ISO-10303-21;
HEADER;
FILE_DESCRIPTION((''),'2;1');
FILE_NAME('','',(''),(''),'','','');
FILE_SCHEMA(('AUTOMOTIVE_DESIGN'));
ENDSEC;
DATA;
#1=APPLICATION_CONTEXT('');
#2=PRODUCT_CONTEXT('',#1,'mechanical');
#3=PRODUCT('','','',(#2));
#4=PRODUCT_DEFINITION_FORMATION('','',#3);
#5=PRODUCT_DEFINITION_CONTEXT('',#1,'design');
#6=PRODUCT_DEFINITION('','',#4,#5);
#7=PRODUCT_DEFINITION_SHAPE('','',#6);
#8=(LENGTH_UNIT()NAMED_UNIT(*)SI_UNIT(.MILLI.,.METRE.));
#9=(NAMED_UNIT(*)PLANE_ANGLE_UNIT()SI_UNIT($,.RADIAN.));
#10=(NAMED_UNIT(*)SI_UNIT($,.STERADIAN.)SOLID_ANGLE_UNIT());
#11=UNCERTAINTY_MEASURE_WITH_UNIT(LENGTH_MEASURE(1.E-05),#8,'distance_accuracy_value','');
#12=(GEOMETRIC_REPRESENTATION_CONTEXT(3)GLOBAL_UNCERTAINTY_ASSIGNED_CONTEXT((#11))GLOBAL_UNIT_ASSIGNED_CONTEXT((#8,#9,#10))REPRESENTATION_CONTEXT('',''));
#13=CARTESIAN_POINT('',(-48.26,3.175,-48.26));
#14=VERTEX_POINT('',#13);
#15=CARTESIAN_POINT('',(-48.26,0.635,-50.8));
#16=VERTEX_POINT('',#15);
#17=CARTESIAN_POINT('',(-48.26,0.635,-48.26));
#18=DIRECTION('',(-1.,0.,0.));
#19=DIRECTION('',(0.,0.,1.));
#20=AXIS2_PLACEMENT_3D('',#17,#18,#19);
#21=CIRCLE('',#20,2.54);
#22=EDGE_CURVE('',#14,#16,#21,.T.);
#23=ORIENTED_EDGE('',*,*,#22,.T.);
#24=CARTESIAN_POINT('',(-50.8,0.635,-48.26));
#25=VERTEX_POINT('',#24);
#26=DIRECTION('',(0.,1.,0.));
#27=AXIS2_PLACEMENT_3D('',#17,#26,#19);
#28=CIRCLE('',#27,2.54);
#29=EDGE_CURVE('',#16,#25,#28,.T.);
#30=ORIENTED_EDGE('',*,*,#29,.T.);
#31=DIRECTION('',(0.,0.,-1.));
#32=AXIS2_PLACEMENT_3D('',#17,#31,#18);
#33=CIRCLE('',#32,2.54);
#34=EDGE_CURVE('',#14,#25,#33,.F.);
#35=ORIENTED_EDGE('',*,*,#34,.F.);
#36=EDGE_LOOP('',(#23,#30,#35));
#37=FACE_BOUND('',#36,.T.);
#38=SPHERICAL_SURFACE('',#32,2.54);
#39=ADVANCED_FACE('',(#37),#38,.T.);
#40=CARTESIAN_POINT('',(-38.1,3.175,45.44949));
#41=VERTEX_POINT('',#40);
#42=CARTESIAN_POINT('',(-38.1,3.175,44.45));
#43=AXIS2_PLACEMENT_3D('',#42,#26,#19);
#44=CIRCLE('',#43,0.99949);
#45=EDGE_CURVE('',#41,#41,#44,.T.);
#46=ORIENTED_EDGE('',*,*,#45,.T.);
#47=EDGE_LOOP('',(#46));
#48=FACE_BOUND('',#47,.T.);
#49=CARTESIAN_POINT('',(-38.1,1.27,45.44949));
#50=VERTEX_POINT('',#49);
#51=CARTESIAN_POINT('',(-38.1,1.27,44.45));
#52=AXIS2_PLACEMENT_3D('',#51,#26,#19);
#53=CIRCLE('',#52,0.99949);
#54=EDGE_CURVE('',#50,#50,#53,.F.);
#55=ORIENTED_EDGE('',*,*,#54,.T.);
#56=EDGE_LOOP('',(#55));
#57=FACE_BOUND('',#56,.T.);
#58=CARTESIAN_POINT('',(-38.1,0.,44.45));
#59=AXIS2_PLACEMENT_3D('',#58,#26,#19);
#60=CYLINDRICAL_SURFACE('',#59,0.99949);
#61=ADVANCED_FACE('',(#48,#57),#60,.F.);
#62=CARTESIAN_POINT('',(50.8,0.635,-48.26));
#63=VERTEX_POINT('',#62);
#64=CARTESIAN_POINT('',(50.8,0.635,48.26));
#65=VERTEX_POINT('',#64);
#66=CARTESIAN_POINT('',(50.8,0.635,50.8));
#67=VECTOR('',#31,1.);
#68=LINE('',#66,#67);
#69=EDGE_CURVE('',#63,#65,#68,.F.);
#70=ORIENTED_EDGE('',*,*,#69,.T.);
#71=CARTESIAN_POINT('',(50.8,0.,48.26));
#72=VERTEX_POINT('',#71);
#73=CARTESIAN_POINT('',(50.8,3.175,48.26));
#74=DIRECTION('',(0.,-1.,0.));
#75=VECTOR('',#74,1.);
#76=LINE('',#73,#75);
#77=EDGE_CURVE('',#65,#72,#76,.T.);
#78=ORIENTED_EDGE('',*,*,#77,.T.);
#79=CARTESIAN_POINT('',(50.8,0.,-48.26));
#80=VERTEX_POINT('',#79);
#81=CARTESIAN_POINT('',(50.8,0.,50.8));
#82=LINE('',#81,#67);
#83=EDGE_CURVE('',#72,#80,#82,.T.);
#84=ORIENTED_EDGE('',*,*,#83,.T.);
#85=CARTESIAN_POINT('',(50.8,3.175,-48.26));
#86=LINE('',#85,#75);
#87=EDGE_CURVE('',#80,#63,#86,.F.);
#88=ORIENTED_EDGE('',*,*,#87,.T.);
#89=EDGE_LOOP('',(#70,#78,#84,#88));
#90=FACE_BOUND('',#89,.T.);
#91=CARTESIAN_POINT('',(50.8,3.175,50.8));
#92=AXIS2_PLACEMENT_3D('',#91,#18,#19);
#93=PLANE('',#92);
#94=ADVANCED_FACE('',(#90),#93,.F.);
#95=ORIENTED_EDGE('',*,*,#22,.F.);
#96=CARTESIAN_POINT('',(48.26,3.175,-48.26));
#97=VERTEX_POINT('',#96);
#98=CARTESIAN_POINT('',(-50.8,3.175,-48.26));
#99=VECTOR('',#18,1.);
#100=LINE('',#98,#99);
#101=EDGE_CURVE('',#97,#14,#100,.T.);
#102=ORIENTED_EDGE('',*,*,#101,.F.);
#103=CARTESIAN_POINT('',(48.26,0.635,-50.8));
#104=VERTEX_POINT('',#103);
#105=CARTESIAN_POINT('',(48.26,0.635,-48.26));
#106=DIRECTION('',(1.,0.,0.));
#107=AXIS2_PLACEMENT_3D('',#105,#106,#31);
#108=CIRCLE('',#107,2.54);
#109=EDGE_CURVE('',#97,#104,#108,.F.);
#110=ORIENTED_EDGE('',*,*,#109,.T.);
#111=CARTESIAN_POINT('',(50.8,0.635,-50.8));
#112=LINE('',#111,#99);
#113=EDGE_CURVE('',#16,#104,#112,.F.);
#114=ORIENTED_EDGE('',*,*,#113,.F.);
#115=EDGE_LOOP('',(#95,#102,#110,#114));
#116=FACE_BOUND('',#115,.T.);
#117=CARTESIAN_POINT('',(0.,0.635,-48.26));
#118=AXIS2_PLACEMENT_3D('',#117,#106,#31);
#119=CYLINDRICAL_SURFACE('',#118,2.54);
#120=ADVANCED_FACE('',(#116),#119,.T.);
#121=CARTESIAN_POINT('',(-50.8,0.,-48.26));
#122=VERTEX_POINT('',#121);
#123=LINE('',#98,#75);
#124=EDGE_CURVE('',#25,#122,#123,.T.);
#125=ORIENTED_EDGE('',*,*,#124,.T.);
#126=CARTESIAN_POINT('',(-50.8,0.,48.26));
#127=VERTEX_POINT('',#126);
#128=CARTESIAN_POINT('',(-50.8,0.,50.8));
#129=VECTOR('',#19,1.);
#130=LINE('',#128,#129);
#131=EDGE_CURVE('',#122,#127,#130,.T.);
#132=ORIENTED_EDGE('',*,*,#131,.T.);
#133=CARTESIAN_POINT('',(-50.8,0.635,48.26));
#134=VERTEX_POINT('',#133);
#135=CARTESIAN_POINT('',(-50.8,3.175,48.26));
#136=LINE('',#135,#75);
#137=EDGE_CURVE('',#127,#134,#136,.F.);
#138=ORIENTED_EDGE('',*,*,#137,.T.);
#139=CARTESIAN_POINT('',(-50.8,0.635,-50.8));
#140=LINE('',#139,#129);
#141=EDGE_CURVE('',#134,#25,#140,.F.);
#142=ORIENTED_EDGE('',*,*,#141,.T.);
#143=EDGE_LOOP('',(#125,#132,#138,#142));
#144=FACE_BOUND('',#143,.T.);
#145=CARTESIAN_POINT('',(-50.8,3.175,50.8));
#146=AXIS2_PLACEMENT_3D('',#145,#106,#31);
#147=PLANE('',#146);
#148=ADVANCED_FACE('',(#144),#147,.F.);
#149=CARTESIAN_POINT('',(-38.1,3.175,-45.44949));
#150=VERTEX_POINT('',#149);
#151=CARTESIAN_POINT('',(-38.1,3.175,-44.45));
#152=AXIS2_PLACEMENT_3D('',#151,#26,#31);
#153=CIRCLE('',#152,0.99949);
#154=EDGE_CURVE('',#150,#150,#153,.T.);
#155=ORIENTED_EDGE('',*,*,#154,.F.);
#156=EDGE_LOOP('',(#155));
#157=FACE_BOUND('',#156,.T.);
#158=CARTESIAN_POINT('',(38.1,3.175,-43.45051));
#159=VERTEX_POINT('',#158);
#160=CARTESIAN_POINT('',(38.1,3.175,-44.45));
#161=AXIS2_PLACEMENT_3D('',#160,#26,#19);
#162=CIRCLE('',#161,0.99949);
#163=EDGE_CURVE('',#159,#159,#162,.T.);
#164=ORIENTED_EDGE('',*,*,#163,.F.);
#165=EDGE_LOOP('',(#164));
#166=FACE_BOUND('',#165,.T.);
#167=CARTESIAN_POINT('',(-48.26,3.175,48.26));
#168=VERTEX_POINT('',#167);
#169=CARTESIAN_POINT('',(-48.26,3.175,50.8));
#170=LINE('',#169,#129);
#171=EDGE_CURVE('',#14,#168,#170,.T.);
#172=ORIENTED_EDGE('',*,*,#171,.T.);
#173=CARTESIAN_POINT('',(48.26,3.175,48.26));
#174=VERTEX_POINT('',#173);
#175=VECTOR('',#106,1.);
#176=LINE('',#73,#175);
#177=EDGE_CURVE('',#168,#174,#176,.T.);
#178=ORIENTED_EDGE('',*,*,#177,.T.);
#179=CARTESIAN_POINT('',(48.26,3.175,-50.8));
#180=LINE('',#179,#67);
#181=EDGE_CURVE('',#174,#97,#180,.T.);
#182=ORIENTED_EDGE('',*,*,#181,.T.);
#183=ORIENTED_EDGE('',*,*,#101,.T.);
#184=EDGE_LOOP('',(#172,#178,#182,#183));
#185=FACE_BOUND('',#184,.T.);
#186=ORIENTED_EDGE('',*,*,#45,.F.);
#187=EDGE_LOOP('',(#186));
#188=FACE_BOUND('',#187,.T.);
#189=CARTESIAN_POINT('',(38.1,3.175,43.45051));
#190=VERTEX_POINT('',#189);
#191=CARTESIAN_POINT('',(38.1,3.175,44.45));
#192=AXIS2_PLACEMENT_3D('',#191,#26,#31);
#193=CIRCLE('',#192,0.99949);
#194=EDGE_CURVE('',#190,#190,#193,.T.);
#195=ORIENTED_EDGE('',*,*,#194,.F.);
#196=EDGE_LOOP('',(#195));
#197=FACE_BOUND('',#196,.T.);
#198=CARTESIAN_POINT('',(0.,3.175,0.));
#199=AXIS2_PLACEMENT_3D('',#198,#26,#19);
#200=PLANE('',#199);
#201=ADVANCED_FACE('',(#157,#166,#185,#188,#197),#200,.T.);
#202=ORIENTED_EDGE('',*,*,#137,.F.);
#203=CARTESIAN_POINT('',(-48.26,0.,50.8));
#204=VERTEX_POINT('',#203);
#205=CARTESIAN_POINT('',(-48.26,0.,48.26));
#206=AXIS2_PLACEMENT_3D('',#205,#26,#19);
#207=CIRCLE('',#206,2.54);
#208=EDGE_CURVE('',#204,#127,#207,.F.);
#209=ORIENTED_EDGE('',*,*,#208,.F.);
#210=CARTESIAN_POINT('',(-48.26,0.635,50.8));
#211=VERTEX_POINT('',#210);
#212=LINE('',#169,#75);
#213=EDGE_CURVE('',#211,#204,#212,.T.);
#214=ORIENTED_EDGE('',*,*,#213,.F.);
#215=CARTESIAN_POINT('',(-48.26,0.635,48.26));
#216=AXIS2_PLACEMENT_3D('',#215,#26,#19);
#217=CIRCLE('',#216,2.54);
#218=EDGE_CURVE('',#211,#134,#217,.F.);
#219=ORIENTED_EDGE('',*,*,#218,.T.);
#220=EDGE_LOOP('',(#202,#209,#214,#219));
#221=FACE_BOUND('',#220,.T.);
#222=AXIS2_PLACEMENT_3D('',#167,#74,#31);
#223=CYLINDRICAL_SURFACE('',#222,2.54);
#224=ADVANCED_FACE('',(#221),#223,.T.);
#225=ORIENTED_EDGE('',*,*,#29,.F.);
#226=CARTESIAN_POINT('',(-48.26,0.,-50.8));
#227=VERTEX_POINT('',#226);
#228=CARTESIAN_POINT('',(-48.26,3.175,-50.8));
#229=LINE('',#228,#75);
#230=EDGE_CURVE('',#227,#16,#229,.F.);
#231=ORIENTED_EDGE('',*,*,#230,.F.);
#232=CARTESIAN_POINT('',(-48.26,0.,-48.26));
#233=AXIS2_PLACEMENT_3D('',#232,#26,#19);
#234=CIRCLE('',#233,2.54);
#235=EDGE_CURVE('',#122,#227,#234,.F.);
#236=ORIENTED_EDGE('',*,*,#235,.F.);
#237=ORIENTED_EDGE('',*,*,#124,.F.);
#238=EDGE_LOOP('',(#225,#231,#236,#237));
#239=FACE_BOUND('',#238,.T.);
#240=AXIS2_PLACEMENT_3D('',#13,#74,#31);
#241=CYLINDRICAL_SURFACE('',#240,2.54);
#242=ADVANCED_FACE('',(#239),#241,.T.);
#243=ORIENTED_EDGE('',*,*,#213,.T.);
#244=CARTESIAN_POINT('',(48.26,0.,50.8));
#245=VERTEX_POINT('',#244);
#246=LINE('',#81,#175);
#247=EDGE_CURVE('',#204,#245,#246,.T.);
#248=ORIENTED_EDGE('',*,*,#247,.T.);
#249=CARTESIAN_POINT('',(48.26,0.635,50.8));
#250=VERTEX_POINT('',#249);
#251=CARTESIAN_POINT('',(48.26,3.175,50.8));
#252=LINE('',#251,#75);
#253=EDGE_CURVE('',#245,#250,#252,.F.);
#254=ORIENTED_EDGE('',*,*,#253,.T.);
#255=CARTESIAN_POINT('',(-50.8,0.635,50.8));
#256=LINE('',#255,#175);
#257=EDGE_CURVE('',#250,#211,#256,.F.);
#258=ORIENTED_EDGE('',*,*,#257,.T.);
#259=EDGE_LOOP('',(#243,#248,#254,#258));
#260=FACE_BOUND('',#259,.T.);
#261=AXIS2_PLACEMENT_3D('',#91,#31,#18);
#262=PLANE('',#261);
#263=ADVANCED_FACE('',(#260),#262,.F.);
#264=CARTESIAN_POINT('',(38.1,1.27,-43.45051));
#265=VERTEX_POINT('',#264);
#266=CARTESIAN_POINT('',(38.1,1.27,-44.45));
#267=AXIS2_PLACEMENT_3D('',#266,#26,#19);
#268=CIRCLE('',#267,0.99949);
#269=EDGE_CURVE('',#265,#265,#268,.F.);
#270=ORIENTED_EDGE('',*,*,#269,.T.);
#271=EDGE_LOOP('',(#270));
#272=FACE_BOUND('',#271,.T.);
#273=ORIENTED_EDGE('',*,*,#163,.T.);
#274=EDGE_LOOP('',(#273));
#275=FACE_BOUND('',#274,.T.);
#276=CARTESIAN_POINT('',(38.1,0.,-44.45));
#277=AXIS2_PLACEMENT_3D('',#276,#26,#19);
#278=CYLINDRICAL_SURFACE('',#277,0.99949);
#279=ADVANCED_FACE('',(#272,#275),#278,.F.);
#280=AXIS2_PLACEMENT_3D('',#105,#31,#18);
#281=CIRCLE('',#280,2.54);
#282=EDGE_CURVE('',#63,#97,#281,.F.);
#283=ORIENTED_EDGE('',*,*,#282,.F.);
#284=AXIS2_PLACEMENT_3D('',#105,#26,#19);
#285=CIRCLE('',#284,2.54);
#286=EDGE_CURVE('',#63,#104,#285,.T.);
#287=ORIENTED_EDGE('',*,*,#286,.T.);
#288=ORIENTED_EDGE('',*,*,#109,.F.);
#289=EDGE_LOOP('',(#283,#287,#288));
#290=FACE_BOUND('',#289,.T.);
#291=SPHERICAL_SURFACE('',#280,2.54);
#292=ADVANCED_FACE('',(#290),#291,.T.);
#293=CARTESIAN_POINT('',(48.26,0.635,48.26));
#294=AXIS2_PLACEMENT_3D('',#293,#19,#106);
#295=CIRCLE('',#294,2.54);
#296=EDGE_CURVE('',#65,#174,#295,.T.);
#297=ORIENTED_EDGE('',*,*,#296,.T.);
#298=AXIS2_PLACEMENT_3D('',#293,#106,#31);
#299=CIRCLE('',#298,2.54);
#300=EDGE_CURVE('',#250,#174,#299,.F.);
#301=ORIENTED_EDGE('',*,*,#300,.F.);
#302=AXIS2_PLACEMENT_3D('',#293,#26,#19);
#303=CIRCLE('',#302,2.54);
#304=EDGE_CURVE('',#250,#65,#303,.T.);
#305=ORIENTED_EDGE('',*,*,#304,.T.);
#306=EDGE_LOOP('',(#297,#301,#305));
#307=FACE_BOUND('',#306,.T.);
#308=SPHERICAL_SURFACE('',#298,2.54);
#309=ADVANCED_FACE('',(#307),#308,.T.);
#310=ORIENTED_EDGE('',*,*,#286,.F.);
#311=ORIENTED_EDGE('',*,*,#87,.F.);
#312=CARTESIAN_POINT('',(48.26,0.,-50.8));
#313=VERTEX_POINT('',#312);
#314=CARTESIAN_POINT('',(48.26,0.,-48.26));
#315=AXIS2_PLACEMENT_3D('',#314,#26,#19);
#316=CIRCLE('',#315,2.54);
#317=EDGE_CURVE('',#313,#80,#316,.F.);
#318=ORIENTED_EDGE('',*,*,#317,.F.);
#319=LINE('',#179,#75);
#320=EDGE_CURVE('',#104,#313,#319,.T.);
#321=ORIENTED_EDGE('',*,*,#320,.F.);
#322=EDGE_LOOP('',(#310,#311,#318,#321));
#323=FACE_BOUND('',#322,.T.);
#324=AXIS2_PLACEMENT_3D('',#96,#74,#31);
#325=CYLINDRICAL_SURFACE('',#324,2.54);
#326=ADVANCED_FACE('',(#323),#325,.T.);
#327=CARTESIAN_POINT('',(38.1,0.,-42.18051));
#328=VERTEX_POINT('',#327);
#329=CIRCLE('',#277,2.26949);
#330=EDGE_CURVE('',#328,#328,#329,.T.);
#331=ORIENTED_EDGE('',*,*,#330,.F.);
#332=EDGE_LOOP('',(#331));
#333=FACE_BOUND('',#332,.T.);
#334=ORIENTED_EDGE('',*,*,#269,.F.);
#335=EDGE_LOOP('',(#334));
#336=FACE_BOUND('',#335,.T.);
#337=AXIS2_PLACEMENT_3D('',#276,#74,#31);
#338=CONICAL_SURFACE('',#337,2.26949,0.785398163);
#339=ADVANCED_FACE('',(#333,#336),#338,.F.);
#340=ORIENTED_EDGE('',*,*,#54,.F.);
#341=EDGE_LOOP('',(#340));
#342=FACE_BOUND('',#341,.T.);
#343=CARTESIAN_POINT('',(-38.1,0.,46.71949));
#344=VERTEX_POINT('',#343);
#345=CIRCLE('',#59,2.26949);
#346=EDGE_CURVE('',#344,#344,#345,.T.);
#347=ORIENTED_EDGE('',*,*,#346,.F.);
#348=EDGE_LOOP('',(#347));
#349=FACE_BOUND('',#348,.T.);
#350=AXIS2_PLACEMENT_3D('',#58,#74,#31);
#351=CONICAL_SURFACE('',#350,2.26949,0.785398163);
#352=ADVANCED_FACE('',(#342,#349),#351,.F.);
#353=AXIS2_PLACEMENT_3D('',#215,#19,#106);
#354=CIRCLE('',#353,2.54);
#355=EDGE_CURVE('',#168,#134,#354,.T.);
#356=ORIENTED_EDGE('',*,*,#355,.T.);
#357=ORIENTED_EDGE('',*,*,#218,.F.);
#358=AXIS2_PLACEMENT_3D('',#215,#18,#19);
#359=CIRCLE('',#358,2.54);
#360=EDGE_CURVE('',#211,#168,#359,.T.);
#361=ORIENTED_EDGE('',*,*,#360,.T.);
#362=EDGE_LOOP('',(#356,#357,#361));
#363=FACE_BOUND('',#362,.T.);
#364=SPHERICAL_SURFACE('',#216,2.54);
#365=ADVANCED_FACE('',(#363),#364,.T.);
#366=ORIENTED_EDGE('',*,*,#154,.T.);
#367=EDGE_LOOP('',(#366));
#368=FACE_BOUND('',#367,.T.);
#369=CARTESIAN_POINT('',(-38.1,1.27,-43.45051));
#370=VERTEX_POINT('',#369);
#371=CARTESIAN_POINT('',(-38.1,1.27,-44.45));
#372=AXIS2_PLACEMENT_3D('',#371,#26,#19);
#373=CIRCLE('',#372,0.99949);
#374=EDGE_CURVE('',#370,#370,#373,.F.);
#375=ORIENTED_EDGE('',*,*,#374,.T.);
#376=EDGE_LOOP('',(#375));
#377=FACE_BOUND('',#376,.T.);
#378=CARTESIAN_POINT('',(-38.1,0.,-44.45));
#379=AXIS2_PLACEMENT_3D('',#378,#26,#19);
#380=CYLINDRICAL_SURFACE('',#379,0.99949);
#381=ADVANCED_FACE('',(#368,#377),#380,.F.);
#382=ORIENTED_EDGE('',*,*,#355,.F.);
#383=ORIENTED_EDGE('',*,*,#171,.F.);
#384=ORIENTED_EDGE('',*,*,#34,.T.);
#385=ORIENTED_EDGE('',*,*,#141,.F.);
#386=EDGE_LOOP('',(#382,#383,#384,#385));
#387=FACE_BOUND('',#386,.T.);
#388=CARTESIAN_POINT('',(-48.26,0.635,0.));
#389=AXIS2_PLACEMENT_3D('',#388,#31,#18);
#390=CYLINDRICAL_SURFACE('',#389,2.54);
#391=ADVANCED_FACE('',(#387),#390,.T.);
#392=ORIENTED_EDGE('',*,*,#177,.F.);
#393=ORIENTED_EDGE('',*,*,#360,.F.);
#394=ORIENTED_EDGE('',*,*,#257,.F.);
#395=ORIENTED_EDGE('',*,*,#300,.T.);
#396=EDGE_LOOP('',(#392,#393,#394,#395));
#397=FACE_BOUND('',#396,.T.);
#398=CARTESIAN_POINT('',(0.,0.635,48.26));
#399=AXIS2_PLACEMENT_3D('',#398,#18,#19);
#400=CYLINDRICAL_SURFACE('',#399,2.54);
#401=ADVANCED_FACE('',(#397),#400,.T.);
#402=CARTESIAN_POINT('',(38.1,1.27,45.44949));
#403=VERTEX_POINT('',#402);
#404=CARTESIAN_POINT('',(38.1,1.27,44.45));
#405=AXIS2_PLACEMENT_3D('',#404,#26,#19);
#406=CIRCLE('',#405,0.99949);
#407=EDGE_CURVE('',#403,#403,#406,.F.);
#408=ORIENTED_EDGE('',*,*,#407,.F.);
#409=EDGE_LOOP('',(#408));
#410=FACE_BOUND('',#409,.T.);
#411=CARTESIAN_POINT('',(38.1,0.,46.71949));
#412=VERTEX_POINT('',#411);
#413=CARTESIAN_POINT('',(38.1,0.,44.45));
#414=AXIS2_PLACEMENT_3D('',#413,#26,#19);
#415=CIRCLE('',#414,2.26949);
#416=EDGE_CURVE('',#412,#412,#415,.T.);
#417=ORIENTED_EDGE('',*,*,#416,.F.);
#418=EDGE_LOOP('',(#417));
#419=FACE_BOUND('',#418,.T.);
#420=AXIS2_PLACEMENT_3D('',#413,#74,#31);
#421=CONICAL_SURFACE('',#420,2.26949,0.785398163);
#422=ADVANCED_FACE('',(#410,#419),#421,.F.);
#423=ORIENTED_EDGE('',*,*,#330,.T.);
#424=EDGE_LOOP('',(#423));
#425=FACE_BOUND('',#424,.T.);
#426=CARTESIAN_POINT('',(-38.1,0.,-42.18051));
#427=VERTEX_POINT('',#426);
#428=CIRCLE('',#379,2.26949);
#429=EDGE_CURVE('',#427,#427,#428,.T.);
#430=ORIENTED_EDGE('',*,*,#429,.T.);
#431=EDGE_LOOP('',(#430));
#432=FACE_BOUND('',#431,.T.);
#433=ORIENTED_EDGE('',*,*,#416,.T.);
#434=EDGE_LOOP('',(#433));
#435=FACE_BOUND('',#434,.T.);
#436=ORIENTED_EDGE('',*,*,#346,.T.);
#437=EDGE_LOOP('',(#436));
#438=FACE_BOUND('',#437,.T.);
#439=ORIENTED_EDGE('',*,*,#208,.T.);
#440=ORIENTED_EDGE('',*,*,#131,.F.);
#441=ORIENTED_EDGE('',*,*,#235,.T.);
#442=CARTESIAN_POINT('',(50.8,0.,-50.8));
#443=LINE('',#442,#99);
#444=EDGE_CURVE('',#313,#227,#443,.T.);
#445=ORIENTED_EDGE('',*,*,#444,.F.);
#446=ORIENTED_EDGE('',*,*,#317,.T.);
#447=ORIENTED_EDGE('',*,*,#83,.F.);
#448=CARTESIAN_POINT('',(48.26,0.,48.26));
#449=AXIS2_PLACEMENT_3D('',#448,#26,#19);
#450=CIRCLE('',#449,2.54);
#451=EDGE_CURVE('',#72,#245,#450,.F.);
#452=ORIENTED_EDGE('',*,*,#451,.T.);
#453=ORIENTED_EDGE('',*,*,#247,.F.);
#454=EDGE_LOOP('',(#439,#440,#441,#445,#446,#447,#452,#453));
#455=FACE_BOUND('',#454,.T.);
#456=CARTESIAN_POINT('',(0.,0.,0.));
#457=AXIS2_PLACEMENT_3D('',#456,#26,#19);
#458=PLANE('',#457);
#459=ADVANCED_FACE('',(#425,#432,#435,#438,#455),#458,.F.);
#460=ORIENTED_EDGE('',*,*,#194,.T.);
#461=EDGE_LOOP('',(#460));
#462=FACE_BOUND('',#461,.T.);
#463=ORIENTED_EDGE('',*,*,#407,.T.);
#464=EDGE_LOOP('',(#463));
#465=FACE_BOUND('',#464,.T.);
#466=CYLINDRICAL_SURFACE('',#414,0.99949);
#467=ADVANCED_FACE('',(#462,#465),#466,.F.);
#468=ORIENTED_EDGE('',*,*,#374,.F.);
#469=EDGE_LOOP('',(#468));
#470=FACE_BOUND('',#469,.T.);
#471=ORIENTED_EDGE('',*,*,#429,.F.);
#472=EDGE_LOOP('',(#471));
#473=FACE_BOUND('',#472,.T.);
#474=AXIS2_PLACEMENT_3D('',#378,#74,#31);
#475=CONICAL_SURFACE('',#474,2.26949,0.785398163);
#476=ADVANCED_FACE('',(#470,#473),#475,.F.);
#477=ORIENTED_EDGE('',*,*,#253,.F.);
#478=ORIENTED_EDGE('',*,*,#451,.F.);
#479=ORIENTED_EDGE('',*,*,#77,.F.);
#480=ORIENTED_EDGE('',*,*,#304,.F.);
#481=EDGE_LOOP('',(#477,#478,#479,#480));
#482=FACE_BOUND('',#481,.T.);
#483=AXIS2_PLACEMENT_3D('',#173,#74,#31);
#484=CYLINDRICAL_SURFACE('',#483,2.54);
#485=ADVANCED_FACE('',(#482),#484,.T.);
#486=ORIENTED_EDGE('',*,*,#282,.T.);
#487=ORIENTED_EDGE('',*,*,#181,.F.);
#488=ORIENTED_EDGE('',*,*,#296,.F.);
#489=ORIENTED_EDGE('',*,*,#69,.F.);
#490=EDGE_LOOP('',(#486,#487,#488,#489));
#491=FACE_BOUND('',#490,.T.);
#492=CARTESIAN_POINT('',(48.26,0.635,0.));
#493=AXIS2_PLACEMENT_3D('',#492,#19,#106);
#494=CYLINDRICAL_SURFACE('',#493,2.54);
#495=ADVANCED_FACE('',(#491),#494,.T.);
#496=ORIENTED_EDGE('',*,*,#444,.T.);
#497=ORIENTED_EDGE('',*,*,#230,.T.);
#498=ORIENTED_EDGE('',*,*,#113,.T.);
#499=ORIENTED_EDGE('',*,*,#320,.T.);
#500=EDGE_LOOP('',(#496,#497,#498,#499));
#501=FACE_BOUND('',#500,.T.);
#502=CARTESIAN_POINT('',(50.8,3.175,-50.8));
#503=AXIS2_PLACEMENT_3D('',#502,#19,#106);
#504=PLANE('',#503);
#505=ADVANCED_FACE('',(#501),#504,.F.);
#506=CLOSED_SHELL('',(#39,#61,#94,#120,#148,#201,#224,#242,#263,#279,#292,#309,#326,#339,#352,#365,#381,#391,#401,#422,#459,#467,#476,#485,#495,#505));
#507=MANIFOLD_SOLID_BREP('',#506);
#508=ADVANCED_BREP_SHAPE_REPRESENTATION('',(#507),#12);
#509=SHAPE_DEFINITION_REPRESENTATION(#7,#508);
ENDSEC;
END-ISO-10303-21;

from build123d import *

# Parameters (mm, degrees)
SKETCH1_W           = 101.6
SKETCH1_H           = 101.6
BOSS_EXTRUDE1_DEPTH = 3.175
SKETCH2_R           = 0.99949
CUT_EXTRUDE1_DEPTH  = 3.175
CHAMFER1_SIZE       = 1.27
FILLET1_R           = 2.54


with BuildPart() as part:
    # Sketch1 → Boss-Extrude1 (new body)
    with BuildSketch(Plane(origin=(0, 0, 0), x_dir=(1, 0, 0), z_dir=(0, 1, 0))):
        Rectangle(SKETCH1_W, SKETCH1_H)
    extrude(amount=BOSS_EXTRUDE1_DEPTH)

    # Sketch2 → Cut-Extrude1 (cut)
    with BuildSketch(Plane(origin=(0, 3.175, 0), x_dir=(1, 0, 0), z_dir=(0, 1, 0))):
        with Locations((-38.1, -44.45)):
            Circle(SKETCH2_R)
        with Locations((38.1, -44.45)):
            Circle(SKETCH2_R)
        with Locations((38.1, 44.45)):
            Circle(SKETCH2_R)
        with Locations((-38.1, 44.45)):
            Circle(SKETCH2_R)
    extrude(amount=-CUT_EXTRUDE1_DEPTH, mode=Mode.SUBTRACT)

    # Chamfer1
    chamfer1_edges = [part.edges().sort_by_distance(p)[0] for p in [
        (-39.09949, 0, -44.45),
        (37.10051, 0, -44.45),
        (37.10051, 0, 44.45),
        (-39.09949, 0, 44.45),
    ]]
    chamfer(chamfer1_edges, length=CHAMFER1_SIZE)

    # Fillet1
    fillet1_edges = [part.edges().sort_by_distance(p)[0] for p in [
        (50.8, 3.175, 0),
        (0, 3.175, -50.8),
        (-50.8, 3.175, 0),
        (-50.8, 1.5875, -50.8),
        (50.8, 1.5875, -50.8),
        (50.8, 1.5875, 50.8),
        (-50.8, 1.5875, 50.8),
        (0, 3.175, 50.8),
    ]]
    fillet(fillet1_edges, radius=FILLET1_R)


solid = part.part
